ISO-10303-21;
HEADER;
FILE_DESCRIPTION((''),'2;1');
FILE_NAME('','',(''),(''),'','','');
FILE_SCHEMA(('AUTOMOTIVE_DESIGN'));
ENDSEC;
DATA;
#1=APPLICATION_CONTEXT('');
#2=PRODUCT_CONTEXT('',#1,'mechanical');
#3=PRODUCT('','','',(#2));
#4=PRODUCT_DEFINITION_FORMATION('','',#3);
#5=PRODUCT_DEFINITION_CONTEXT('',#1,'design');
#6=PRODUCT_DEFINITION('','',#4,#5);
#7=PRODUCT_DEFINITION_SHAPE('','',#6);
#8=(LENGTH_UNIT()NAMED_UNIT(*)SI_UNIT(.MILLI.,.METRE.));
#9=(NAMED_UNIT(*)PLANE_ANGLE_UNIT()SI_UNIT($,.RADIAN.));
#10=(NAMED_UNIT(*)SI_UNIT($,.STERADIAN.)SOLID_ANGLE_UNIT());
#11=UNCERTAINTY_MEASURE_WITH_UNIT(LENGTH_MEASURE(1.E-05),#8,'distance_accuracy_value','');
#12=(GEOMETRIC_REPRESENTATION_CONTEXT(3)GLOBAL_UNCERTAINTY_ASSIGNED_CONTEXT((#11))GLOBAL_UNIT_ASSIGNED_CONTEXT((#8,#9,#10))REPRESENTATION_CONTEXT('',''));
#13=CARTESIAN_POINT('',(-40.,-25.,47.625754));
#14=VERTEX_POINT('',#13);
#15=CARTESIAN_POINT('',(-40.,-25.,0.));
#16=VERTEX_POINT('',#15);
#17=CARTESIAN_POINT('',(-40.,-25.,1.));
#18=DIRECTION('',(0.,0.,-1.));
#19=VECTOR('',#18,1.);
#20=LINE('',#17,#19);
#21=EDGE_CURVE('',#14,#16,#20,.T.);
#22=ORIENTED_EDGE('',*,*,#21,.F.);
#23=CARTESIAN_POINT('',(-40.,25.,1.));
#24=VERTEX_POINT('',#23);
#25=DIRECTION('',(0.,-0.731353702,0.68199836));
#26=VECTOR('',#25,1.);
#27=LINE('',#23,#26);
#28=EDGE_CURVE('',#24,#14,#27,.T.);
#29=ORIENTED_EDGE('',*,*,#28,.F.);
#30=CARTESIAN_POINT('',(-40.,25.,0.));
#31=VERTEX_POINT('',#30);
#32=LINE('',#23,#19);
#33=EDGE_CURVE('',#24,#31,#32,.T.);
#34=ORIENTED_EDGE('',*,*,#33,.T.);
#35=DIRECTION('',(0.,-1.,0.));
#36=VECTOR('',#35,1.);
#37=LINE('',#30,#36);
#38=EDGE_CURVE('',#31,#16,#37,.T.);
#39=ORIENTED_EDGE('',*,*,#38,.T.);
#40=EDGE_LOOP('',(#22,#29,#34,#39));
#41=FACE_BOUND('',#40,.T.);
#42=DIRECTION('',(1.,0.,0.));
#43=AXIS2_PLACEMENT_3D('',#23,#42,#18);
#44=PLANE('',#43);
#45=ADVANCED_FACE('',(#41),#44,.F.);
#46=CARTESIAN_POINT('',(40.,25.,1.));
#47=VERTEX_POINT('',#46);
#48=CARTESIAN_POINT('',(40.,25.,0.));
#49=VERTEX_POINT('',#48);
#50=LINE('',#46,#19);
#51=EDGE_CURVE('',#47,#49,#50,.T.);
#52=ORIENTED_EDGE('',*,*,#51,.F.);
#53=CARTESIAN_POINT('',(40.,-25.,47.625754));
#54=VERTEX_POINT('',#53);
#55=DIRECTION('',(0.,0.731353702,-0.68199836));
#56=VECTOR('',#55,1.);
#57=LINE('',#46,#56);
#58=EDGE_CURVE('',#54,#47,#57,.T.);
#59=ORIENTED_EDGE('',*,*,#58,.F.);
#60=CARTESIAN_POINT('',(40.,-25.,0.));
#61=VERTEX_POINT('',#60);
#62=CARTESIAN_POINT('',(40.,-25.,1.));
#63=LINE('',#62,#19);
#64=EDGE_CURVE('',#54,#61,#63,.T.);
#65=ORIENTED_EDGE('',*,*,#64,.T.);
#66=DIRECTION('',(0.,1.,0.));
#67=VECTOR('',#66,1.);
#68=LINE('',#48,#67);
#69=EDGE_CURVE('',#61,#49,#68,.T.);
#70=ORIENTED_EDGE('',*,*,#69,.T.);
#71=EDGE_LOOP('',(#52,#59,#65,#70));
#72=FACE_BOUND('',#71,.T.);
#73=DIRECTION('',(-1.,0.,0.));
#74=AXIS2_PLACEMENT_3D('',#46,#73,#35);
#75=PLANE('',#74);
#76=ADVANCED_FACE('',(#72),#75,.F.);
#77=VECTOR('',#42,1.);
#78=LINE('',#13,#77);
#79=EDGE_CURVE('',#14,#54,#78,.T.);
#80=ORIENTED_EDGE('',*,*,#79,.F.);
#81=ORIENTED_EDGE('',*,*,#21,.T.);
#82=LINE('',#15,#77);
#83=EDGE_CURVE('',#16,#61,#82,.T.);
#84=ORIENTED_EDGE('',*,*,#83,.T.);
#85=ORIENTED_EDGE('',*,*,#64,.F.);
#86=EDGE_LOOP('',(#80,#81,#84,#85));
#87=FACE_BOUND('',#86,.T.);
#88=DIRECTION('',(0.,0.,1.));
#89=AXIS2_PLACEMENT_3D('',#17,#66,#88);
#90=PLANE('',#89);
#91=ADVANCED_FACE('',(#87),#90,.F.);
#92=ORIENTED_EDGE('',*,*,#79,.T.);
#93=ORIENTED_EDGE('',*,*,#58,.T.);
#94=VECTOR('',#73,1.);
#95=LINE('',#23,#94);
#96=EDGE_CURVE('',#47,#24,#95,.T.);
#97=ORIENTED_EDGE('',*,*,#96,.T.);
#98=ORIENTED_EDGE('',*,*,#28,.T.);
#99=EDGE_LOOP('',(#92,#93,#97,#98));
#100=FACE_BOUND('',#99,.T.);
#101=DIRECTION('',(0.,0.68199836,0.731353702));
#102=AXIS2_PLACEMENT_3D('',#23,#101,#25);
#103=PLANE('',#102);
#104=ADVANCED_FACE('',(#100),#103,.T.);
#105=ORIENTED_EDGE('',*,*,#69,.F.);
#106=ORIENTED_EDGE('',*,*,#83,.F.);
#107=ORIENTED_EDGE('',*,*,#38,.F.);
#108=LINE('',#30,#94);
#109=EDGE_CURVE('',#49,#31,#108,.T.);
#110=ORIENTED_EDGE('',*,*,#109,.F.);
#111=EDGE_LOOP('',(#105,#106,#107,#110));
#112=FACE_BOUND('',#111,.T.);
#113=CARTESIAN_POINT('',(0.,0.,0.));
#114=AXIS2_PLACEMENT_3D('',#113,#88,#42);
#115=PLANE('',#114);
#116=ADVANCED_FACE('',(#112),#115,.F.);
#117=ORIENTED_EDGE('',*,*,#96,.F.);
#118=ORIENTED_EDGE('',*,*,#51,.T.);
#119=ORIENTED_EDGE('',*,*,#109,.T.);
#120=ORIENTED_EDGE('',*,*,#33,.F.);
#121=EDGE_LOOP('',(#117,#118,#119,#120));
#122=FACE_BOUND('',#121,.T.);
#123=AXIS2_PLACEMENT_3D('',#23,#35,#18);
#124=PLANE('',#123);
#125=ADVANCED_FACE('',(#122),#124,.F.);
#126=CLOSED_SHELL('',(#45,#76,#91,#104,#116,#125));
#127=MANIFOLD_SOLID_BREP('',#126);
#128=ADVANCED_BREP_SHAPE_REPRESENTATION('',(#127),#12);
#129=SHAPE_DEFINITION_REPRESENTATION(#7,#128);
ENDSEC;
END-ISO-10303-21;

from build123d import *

# Parameters (mm, degrees)
SKETCH_2_W      = 80
SKETCH_2_H      = 50
EXTRUDE_2_DEPTH = 1
DRAFT_6_ANGLE   = 43


with BuildPart() as part:
    # 草图2 → 凸台-拉伸2 (new body)
    with BuildSketch(Plane.XY):
        Rectangle(SKETCH_2_W, SKETCH_2_H)
    extrude(amount=EXTRUDE_2_DEPTH)

    # 拔模6
    draft_6_faces = [part.faces().sort_by_distance(p)[0] for p in [
        (0, 0, 1),
    ]]
    draft(draft_6_faces, Plane(origin=(-40, 25, 1), x_dir=(0, 0, 1), z_dir=(0, 1, 0)), DRAFT_6_ANGLE)


solid = part.part
